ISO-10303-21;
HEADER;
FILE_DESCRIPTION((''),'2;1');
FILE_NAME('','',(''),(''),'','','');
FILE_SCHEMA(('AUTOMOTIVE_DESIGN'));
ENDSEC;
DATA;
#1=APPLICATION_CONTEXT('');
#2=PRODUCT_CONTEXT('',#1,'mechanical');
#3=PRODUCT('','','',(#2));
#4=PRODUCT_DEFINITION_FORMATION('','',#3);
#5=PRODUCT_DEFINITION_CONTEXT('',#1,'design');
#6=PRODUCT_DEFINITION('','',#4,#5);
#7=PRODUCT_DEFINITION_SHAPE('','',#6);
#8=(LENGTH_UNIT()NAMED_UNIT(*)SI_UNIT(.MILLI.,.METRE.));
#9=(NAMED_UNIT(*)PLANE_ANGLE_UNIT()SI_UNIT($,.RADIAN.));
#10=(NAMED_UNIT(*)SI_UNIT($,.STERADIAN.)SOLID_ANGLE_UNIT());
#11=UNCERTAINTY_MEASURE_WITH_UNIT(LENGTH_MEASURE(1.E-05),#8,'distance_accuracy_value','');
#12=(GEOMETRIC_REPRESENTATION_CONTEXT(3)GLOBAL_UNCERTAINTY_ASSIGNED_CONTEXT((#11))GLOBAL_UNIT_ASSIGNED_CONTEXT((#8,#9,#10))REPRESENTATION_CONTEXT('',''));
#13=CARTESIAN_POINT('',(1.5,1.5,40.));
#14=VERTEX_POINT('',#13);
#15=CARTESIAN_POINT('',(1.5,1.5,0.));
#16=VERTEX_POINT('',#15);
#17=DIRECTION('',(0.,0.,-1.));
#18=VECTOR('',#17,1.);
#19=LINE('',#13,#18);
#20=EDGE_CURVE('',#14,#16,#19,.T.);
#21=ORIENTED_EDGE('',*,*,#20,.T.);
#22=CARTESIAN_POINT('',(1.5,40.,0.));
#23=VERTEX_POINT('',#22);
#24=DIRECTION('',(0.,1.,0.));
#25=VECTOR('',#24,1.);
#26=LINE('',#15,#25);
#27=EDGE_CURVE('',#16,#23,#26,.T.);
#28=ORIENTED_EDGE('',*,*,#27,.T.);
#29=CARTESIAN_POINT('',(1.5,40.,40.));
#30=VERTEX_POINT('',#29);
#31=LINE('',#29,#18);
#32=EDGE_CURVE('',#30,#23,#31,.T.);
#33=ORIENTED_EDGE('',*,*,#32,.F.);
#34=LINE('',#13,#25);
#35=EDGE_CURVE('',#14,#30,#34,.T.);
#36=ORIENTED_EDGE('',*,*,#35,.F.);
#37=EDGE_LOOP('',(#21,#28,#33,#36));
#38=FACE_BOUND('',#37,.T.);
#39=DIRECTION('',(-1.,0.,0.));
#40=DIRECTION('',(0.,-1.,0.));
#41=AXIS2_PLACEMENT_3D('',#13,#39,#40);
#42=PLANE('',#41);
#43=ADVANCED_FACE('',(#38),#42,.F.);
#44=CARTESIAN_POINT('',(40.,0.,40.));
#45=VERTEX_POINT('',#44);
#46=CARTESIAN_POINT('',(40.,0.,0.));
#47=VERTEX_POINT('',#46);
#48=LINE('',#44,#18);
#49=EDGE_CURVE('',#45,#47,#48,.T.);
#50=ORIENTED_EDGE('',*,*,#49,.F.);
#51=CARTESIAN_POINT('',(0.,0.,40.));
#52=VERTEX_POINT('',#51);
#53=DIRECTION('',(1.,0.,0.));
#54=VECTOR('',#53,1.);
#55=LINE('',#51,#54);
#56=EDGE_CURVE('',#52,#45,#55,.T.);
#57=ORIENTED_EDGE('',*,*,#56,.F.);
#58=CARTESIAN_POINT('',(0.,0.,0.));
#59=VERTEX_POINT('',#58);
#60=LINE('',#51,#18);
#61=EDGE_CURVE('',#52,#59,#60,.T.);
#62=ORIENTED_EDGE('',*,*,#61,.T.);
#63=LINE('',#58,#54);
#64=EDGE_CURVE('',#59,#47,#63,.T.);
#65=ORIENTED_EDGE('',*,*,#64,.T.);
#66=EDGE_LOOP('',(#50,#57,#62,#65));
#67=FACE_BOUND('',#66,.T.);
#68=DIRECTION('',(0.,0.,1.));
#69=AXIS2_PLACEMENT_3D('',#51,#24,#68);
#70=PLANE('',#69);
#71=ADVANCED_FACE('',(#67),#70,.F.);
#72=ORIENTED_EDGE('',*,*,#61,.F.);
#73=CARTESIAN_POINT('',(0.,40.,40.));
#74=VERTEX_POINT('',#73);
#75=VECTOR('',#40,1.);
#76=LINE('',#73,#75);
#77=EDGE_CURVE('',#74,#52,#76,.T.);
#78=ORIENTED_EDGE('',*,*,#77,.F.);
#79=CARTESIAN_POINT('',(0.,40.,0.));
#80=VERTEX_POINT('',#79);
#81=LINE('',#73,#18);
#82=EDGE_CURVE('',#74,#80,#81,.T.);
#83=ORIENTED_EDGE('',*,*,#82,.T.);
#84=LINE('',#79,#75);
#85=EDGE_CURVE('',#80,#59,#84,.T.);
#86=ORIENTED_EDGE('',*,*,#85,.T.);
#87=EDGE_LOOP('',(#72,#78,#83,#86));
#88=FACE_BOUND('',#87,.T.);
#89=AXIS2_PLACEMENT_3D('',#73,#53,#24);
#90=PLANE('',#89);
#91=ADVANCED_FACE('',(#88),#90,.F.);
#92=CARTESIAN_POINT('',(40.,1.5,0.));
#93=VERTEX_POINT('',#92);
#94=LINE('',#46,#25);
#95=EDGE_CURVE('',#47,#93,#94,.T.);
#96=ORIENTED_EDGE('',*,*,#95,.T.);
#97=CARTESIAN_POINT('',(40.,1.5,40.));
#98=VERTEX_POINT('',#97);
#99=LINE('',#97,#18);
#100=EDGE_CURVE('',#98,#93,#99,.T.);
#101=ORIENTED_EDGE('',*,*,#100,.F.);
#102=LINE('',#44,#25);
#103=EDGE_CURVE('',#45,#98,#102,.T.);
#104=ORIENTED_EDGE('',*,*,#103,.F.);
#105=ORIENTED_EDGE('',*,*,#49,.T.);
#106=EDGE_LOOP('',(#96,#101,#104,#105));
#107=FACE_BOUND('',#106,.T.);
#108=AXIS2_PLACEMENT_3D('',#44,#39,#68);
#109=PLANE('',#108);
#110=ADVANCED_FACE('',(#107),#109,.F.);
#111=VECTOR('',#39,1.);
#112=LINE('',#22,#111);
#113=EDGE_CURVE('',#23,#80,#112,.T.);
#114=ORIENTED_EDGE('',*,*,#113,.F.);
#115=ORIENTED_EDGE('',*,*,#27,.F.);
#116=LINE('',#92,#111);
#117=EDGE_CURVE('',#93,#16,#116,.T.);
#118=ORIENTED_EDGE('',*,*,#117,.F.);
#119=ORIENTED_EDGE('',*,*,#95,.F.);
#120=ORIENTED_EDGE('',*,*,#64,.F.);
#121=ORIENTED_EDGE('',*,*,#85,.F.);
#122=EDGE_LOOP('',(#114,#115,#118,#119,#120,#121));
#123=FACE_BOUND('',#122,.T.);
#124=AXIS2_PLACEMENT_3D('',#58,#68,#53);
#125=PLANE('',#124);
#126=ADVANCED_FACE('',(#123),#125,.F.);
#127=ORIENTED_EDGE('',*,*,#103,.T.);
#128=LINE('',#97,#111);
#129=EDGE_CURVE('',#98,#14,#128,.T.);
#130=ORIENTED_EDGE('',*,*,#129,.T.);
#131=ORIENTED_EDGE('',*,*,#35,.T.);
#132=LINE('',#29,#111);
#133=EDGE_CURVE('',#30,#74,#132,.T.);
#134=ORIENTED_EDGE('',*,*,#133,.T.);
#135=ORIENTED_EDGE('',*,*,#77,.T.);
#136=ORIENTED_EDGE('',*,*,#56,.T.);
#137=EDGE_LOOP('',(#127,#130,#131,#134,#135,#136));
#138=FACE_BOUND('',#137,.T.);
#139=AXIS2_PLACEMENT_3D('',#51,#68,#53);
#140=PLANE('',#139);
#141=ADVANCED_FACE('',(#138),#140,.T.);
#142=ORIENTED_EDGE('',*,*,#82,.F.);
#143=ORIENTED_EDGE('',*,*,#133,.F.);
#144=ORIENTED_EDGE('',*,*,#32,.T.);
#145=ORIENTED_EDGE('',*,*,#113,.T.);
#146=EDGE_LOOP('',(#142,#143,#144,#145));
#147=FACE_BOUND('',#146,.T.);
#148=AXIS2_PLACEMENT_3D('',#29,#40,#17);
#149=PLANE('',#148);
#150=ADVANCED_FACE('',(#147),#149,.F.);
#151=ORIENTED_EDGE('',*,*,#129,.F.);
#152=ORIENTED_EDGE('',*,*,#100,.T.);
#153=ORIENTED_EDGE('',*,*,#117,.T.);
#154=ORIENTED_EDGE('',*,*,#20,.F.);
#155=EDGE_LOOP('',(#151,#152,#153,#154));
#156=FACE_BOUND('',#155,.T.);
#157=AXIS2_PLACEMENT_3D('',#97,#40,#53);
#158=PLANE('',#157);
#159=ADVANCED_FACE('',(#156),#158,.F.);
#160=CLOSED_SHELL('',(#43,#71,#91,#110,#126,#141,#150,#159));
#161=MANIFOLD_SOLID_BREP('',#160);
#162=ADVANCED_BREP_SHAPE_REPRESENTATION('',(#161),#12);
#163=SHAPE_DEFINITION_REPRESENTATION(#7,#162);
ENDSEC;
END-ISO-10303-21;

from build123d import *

# Parameters (mm, degrees)
EXTRUDE_1_DEPTH = 40


with BuildPart() as part:
    # Эскиз1 → Бобышка-Вытянуть1 (new body)
    with BuildSketch(Plane.XY):
        Polygon((0, 0), (40, 0), (40, 1.5), (1.5, 1.5), (1.5, 40), (0, 40), align=None)
    extrude(amount=EXTRUDE_1_DEPTH)


solid = part.part
